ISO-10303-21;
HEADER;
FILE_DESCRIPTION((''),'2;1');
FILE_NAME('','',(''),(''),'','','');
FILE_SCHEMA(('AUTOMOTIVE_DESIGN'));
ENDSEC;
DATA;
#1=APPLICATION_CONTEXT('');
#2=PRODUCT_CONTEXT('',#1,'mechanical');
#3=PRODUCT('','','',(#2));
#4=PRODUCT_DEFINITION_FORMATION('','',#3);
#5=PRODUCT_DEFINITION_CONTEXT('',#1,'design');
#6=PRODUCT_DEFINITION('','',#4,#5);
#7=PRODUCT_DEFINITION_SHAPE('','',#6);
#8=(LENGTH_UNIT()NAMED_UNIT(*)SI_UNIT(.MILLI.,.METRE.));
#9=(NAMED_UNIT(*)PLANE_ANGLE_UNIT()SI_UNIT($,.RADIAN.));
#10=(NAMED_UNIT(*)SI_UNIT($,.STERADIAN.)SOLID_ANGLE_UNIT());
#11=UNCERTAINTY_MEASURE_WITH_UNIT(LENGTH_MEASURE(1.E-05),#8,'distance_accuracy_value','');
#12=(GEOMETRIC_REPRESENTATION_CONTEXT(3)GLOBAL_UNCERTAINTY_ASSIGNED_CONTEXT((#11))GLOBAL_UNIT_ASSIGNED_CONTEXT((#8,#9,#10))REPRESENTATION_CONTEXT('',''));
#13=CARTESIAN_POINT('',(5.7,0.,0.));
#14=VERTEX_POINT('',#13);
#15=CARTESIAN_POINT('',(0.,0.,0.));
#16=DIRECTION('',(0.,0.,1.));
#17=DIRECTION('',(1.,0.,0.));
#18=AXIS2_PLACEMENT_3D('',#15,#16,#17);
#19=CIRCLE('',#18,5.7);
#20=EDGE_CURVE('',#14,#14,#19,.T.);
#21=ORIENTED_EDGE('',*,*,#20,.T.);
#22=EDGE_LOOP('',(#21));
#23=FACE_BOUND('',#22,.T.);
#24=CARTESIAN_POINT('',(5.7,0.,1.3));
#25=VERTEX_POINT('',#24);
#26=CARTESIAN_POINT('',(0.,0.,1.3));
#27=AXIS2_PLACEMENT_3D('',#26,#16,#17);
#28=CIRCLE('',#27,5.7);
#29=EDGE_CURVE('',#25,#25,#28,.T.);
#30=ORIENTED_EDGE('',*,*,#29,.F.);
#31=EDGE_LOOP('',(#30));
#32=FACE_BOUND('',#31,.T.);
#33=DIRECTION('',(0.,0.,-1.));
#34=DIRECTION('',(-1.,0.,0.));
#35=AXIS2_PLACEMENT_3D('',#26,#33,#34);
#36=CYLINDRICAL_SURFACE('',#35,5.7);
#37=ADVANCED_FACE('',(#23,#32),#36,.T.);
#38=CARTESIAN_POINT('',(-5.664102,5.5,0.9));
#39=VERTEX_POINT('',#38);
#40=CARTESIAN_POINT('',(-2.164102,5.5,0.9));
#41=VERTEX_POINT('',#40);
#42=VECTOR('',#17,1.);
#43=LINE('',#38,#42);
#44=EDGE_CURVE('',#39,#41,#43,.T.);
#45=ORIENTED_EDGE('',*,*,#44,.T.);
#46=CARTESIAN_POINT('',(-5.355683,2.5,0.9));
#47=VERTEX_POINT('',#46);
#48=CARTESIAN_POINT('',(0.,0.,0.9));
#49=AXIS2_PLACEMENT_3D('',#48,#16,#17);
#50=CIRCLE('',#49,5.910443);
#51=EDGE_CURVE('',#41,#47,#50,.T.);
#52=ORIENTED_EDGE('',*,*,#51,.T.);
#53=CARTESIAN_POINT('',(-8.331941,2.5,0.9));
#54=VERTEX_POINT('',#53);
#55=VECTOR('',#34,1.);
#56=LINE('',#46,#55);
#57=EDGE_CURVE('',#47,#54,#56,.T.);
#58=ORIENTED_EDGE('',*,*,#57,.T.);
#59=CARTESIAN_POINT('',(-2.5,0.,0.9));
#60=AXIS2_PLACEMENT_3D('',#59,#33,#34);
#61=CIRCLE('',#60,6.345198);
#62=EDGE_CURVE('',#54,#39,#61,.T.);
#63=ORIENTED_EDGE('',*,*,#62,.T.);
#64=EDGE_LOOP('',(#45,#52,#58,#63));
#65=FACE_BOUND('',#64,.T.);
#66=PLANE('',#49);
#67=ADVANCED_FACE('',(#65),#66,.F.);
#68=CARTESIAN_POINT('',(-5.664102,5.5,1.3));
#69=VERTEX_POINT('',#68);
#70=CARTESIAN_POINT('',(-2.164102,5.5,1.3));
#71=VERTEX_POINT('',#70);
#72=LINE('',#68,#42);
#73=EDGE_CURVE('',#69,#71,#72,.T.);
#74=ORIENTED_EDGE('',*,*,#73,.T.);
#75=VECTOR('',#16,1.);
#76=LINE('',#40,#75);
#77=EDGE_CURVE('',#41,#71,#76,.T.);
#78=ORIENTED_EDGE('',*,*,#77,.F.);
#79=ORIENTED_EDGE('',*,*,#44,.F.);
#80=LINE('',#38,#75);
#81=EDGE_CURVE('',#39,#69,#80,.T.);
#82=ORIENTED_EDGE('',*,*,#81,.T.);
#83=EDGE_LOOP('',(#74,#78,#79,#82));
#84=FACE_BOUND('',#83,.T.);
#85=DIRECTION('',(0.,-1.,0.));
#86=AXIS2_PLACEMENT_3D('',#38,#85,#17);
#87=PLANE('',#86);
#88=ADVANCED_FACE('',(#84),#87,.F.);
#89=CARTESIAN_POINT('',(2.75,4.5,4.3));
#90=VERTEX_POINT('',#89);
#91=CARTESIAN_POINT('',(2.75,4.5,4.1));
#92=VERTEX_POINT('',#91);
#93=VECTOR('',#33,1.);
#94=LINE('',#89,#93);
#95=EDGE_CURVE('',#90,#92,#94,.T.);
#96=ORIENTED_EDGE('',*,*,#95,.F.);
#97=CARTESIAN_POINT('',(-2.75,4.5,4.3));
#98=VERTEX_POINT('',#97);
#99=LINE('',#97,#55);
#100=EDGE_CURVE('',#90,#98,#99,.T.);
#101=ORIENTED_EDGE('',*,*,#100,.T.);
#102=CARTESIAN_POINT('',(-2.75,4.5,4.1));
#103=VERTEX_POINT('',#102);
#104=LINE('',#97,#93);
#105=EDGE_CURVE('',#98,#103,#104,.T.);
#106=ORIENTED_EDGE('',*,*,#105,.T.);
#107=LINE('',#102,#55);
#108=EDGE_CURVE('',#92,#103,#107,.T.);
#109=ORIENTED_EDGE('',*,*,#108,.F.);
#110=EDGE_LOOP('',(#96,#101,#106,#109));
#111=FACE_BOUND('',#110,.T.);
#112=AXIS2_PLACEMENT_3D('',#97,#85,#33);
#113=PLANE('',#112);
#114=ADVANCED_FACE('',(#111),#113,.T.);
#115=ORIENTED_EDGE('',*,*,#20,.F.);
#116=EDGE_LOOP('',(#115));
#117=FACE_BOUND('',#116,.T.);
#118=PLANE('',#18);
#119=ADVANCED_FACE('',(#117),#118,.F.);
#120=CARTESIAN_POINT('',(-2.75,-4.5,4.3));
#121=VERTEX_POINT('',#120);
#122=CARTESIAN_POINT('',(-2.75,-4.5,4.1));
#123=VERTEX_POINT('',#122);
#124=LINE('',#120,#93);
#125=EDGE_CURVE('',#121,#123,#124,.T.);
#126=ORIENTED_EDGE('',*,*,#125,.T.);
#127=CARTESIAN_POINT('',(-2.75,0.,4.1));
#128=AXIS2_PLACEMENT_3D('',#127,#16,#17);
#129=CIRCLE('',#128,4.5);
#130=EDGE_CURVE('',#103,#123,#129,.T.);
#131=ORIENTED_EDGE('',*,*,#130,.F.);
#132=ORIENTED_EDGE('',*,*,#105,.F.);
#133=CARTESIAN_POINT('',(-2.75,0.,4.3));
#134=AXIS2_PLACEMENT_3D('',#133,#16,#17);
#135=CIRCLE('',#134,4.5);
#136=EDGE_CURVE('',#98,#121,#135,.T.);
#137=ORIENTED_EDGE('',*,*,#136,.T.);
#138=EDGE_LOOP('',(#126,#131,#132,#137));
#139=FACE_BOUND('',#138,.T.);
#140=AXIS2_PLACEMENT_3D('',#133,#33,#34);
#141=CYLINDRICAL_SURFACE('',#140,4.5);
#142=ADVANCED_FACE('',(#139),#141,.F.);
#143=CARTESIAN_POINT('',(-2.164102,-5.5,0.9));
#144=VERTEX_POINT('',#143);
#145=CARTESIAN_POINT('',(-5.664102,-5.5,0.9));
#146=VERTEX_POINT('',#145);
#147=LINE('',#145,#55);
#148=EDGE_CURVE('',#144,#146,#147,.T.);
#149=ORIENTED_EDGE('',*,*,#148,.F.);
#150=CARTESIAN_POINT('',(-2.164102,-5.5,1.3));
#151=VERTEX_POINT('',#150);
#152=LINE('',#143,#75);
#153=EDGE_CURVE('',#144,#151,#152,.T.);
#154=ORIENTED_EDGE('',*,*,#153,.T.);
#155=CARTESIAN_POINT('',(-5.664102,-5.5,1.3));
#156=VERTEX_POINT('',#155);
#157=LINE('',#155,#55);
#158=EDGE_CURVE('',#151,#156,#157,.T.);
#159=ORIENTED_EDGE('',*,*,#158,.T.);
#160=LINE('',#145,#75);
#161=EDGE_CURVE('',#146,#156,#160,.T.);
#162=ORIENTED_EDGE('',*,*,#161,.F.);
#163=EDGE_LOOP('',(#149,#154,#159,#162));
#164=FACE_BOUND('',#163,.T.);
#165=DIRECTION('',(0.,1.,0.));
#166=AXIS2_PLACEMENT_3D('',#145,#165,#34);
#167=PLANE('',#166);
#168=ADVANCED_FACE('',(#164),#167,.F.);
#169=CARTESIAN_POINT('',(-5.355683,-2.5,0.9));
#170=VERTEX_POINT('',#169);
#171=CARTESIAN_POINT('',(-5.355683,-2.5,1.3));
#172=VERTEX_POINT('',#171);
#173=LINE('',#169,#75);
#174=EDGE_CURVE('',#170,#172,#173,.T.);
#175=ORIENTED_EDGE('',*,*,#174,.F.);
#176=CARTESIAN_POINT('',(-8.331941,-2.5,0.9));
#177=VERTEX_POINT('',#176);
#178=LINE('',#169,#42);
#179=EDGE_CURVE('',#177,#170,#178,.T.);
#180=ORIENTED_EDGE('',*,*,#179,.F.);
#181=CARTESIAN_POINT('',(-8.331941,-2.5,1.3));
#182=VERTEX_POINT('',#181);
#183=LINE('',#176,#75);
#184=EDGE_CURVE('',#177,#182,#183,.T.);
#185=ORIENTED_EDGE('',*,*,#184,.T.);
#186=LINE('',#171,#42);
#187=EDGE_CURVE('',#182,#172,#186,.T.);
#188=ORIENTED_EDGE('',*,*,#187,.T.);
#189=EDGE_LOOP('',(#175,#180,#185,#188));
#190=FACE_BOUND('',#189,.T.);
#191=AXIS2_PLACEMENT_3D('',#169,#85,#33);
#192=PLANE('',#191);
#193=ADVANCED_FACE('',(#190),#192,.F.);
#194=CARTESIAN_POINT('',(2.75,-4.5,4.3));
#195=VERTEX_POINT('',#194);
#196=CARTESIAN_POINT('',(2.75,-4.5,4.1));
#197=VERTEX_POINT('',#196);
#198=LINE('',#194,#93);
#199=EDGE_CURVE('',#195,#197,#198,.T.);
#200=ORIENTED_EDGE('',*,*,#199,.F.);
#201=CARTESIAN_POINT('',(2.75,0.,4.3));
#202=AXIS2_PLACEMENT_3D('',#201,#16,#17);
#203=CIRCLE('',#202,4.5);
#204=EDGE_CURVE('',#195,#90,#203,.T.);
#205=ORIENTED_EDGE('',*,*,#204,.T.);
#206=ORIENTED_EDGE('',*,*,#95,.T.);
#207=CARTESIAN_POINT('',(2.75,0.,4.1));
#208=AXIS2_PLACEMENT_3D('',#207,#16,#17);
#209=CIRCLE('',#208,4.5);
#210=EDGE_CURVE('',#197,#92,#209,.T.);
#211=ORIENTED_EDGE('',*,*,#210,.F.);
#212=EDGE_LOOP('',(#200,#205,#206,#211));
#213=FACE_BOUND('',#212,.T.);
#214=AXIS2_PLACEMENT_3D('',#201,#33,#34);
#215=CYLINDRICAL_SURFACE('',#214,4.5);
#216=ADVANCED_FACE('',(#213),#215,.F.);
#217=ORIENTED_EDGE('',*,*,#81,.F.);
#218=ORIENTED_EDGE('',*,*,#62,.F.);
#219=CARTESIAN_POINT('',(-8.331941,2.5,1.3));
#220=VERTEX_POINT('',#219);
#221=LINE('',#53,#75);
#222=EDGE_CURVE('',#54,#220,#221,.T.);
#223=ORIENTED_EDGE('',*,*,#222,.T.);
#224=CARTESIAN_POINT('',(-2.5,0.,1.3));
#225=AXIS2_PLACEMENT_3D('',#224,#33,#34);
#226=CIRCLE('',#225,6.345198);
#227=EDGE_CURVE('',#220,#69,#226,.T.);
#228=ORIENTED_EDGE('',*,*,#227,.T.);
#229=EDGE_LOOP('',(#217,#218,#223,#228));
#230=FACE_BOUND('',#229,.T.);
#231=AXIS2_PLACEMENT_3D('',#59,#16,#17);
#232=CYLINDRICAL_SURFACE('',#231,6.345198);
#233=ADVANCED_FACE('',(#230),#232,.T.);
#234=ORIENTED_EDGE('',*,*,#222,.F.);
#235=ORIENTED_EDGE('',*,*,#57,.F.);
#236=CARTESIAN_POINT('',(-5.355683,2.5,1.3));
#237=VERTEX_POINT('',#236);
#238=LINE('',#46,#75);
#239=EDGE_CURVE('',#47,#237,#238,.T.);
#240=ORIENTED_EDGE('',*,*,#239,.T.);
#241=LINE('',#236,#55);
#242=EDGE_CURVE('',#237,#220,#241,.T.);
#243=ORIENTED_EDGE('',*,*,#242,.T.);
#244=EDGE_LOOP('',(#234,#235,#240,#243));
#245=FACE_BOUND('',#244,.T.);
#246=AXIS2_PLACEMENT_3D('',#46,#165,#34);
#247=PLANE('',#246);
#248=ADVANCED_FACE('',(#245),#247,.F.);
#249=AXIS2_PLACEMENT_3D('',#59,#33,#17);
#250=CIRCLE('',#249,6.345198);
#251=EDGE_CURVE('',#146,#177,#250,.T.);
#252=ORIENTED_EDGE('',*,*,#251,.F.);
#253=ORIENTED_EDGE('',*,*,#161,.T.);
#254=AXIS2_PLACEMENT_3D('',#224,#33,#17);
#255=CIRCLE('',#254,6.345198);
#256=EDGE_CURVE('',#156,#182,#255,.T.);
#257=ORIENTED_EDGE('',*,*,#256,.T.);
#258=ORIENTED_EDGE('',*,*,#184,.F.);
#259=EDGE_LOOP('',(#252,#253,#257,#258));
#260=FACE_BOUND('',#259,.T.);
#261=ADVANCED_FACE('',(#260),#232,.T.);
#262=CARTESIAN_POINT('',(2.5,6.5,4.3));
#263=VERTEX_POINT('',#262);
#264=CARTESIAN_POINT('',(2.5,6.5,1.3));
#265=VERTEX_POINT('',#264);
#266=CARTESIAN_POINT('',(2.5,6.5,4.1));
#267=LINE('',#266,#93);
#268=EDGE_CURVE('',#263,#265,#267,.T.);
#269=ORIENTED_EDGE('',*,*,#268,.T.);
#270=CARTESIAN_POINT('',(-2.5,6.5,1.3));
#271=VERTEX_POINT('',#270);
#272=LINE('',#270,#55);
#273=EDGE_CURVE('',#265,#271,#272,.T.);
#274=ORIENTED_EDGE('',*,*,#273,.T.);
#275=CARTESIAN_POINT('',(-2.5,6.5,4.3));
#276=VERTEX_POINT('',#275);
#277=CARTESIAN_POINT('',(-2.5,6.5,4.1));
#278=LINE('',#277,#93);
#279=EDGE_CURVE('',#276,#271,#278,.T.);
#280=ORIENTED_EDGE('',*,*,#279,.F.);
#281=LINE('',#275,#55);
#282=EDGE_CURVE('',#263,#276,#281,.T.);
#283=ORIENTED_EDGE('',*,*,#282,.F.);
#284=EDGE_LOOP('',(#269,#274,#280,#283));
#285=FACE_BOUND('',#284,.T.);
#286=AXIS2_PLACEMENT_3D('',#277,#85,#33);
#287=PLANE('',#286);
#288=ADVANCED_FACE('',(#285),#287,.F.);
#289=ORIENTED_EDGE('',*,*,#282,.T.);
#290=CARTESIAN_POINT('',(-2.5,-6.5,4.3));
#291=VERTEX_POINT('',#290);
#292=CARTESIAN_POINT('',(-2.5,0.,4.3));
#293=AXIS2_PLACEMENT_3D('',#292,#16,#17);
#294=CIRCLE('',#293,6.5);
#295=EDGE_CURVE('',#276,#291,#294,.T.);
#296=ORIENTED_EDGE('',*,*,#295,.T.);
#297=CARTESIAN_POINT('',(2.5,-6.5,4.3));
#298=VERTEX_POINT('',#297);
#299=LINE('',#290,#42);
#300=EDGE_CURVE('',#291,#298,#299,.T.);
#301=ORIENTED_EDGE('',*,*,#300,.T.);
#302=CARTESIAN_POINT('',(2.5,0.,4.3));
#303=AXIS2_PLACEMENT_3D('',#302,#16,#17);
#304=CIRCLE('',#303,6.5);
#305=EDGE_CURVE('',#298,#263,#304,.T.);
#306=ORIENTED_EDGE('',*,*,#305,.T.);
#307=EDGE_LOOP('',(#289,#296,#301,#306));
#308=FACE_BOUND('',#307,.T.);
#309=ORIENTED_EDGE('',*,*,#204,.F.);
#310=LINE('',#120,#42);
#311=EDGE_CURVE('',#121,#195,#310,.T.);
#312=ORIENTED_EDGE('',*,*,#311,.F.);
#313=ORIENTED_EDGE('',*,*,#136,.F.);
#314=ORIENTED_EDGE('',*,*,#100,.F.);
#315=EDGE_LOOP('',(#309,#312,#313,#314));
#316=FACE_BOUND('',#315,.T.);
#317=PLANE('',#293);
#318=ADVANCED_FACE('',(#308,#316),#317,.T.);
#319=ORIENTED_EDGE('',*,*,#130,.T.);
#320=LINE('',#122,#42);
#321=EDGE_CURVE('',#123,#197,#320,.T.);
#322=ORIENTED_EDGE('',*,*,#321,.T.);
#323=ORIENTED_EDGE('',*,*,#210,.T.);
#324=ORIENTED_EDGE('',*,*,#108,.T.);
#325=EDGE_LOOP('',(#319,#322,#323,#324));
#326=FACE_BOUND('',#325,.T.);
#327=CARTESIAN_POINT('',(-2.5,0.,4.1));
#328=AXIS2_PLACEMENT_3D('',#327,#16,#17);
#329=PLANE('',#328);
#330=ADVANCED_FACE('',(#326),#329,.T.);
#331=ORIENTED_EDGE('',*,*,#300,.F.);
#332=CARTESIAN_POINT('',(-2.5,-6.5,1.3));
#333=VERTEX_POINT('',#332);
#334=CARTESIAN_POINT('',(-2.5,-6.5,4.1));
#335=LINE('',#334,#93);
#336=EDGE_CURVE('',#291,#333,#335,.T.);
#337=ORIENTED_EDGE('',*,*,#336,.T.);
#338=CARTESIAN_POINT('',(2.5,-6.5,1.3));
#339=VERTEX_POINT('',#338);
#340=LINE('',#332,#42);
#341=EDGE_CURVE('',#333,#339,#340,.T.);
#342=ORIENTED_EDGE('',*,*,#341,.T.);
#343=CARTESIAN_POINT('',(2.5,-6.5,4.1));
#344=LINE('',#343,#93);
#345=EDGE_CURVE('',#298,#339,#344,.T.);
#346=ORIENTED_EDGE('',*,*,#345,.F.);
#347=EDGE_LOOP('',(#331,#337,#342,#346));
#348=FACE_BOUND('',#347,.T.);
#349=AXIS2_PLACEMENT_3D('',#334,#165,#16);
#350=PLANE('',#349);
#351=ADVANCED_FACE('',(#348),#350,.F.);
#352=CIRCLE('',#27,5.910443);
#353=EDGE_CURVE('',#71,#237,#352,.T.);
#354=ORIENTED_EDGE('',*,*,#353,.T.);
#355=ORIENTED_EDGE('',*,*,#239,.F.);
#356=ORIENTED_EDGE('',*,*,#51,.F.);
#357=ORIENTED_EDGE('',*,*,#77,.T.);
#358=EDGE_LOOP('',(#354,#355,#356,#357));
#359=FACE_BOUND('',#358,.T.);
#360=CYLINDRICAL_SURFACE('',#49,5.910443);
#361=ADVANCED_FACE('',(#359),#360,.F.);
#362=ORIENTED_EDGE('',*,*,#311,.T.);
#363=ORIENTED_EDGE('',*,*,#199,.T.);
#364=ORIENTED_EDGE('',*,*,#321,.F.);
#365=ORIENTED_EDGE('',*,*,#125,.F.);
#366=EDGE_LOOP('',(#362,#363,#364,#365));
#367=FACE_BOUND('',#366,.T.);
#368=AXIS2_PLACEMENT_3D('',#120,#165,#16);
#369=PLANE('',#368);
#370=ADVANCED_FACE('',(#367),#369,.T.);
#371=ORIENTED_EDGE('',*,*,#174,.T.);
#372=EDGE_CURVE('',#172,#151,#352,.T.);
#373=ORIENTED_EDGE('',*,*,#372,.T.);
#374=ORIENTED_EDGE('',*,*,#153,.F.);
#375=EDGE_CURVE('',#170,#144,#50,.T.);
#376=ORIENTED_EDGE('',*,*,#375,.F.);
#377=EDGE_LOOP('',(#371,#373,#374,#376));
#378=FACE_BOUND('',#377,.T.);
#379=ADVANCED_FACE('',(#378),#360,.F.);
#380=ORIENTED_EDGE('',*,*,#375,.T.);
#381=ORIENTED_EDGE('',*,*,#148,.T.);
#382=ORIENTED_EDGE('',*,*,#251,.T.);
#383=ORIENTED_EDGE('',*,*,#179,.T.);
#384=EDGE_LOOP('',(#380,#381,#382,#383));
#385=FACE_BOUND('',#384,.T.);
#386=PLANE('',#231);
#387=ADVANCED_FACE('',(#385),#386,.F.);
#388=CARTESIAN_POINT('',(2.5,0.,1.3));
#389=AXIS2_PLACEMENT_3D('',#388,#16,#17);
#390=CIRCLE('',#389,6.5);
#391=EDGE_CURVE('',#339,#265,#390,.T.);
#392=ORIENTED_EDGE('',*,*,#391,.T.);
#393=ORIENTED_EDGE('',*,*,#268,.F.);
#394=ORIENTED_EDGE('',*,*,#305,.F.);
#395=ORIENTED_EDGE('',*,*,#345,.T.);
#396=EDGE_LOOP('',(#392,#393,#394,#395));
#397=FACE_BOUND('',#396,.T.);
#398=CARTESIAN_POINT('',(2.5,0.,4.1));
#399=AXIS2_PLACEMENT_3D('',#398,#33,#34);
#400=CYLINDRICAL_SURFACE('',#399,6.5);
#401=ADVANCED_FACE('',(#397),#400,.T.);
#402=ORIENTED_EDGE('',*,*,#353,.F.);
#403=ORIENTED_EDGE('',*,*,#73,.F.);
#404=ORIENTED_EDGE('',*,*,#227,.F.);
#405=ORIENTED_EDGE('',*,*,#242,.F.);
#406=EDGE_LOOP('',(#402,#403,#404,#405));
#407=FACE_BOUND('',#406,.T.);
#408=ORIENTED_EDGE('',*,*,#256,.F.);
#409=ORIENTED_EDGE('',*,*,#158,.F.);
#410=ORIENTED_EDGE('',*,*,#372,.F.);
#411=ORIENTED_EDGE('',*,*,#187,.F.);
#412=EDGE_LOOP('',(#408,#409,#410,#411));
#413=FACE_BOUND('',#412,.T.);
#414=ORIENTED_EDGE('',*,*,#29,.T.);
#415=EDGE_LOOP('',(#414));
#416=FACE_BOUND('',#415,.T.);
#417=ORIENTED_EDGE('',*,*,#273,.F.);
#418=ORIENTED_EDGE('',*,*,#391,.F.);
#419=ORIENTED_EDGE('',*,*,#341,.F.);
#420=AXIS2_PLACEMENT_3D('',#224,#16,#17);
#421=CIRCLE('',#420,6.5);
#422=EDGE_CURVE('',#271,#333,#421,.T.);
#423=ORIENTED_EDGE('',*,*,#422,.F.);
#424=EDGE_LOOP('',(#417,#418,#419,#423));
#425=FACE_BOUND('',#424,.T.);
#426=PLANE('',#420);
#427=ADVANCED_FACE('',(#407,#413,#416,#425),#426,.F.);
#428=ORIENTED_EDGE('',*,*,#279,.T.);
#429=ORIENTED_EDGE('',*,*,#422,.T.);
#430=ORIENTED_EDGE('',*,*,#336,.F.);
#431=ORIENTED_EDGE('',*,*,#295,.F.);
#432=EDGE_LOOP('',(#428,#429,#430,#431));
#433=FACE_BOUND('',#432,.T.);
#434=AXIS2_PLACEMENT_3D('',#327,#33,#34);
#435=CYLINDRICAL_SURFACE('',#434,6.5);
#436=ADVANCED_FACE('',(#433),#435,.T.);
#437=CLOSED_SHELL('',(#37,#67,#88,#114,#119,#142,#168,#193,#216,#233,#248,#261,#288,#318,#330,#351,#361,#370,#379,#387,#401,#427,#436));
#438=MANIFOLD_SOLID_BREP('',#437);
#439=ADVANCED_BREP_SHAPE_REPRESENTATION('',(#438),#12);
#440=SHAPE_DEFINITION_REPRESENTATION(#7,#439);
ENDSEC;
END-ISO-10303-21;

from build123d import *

# Parameters (mm, degrees)
SKETCH_1_R      = 5.7
EXTRUDE_1_DEPTH = 1.3
EXTRUDE_2_DEPTH = 2.8
EXTRUDE_3_DEPTH = 0.2
EXTRUDE_4_DEPTH = 0.4


with BuildPart() as part:
    # Эскиз1 → Бобышка-Вытянуть1 (new body)
    with BuildSketch(Plane.XY):
        Circle(SKETCH_1_R)
    extrude(amount=EXTRUDE_1_DEPTH)

    # Эскиз2 → Бобышка-Вытянуть2 (add)
    with BuildSketch(Plane.XY.offset(1.3)):
        with BuildLine():
            Line((-2.5, 6.5), (2.5, 6.5))
            ThreePointArc((2.5, 6.5), (9, 0), (2.5, -6.5))
            Line((2.5, -6.5), (-2.5, -6.5))
            ThreePointArc((-2.5, -6.5), (-9, 0), (-2.5, 6.5))
        make_face()
    extrude(amount=EXTRUDE_2_DEPTH)

    # Эскиз3 → Бобышка-Вытянуть3 (add)
    with BuildSketch(Plane.XY.offset(4.1)):
        with BuildLine():
            Line((-2.5, 6.5), (2.5, 6.5))
            ThreePointArc((2.5, 6.5), (9, 0), (2.5, -6.5))
            Line((2.5, -6.5), (-2.5, -6.5))
            ThreePointArc((-2.5, -6.5), (-9, 0), (-2.5, 6.5))
        make_face()
        with BuildLine():
            Line((-2.75, 4.5), (2.75, 4.5))
            ThreePointArc((2.75, 4.5), (7.25, 0), (2.75, -4.5))
            Line((2.75, -4.5), (-2.75, -4.5))
            ThreePointArc((-2.75, -4.5), (-7.25, 0), (-2.75, 4.5))
        make_face(mode=Mode.SUBTRACT)
    extrude(amount=EXTRUDE_3_DEPTH)

    # Эскиз4 → Бобышка-Вытянуть4 (add)
    with BuildSketch(Plane(origin=(0, 0, 1.3), x_dir=(-1, 0, 0), z_dir=(0, 0, -1))):
        with BuildLine():
            Line((5.355682571, 2.5), (8.331941275, 2.5))
            ThreePointArc((8.331941275, 2.5), (7.241539509, 4.216555717), (5.664101615, 5.5))
            Line((5.664101615, 5.5), (2.164101615, 5.5))
            ThreePointArc((2.164101615, 5.5), (4.04805985, 4.306570242), (5.355682571, 2.5))
        make_face()
        with BuildLine():
            Line((5.355682571, -2.5), (8.331941275, -2.5))
            ThreePointArc((8.331941275, -2.5), (7.241539509, -4.216555717), (5.664101615, -5.5))
            Line((5.664101615, -5.5), (2.164101615, -5.5))
            ThreePointArc((2.164101615, -5.5), (4.04805985, -4.306570242), (5.355682571, -2.5))
        make_face()
    extrude(amount=EXTRUDE_4_DEPTH)


solid = part.part
